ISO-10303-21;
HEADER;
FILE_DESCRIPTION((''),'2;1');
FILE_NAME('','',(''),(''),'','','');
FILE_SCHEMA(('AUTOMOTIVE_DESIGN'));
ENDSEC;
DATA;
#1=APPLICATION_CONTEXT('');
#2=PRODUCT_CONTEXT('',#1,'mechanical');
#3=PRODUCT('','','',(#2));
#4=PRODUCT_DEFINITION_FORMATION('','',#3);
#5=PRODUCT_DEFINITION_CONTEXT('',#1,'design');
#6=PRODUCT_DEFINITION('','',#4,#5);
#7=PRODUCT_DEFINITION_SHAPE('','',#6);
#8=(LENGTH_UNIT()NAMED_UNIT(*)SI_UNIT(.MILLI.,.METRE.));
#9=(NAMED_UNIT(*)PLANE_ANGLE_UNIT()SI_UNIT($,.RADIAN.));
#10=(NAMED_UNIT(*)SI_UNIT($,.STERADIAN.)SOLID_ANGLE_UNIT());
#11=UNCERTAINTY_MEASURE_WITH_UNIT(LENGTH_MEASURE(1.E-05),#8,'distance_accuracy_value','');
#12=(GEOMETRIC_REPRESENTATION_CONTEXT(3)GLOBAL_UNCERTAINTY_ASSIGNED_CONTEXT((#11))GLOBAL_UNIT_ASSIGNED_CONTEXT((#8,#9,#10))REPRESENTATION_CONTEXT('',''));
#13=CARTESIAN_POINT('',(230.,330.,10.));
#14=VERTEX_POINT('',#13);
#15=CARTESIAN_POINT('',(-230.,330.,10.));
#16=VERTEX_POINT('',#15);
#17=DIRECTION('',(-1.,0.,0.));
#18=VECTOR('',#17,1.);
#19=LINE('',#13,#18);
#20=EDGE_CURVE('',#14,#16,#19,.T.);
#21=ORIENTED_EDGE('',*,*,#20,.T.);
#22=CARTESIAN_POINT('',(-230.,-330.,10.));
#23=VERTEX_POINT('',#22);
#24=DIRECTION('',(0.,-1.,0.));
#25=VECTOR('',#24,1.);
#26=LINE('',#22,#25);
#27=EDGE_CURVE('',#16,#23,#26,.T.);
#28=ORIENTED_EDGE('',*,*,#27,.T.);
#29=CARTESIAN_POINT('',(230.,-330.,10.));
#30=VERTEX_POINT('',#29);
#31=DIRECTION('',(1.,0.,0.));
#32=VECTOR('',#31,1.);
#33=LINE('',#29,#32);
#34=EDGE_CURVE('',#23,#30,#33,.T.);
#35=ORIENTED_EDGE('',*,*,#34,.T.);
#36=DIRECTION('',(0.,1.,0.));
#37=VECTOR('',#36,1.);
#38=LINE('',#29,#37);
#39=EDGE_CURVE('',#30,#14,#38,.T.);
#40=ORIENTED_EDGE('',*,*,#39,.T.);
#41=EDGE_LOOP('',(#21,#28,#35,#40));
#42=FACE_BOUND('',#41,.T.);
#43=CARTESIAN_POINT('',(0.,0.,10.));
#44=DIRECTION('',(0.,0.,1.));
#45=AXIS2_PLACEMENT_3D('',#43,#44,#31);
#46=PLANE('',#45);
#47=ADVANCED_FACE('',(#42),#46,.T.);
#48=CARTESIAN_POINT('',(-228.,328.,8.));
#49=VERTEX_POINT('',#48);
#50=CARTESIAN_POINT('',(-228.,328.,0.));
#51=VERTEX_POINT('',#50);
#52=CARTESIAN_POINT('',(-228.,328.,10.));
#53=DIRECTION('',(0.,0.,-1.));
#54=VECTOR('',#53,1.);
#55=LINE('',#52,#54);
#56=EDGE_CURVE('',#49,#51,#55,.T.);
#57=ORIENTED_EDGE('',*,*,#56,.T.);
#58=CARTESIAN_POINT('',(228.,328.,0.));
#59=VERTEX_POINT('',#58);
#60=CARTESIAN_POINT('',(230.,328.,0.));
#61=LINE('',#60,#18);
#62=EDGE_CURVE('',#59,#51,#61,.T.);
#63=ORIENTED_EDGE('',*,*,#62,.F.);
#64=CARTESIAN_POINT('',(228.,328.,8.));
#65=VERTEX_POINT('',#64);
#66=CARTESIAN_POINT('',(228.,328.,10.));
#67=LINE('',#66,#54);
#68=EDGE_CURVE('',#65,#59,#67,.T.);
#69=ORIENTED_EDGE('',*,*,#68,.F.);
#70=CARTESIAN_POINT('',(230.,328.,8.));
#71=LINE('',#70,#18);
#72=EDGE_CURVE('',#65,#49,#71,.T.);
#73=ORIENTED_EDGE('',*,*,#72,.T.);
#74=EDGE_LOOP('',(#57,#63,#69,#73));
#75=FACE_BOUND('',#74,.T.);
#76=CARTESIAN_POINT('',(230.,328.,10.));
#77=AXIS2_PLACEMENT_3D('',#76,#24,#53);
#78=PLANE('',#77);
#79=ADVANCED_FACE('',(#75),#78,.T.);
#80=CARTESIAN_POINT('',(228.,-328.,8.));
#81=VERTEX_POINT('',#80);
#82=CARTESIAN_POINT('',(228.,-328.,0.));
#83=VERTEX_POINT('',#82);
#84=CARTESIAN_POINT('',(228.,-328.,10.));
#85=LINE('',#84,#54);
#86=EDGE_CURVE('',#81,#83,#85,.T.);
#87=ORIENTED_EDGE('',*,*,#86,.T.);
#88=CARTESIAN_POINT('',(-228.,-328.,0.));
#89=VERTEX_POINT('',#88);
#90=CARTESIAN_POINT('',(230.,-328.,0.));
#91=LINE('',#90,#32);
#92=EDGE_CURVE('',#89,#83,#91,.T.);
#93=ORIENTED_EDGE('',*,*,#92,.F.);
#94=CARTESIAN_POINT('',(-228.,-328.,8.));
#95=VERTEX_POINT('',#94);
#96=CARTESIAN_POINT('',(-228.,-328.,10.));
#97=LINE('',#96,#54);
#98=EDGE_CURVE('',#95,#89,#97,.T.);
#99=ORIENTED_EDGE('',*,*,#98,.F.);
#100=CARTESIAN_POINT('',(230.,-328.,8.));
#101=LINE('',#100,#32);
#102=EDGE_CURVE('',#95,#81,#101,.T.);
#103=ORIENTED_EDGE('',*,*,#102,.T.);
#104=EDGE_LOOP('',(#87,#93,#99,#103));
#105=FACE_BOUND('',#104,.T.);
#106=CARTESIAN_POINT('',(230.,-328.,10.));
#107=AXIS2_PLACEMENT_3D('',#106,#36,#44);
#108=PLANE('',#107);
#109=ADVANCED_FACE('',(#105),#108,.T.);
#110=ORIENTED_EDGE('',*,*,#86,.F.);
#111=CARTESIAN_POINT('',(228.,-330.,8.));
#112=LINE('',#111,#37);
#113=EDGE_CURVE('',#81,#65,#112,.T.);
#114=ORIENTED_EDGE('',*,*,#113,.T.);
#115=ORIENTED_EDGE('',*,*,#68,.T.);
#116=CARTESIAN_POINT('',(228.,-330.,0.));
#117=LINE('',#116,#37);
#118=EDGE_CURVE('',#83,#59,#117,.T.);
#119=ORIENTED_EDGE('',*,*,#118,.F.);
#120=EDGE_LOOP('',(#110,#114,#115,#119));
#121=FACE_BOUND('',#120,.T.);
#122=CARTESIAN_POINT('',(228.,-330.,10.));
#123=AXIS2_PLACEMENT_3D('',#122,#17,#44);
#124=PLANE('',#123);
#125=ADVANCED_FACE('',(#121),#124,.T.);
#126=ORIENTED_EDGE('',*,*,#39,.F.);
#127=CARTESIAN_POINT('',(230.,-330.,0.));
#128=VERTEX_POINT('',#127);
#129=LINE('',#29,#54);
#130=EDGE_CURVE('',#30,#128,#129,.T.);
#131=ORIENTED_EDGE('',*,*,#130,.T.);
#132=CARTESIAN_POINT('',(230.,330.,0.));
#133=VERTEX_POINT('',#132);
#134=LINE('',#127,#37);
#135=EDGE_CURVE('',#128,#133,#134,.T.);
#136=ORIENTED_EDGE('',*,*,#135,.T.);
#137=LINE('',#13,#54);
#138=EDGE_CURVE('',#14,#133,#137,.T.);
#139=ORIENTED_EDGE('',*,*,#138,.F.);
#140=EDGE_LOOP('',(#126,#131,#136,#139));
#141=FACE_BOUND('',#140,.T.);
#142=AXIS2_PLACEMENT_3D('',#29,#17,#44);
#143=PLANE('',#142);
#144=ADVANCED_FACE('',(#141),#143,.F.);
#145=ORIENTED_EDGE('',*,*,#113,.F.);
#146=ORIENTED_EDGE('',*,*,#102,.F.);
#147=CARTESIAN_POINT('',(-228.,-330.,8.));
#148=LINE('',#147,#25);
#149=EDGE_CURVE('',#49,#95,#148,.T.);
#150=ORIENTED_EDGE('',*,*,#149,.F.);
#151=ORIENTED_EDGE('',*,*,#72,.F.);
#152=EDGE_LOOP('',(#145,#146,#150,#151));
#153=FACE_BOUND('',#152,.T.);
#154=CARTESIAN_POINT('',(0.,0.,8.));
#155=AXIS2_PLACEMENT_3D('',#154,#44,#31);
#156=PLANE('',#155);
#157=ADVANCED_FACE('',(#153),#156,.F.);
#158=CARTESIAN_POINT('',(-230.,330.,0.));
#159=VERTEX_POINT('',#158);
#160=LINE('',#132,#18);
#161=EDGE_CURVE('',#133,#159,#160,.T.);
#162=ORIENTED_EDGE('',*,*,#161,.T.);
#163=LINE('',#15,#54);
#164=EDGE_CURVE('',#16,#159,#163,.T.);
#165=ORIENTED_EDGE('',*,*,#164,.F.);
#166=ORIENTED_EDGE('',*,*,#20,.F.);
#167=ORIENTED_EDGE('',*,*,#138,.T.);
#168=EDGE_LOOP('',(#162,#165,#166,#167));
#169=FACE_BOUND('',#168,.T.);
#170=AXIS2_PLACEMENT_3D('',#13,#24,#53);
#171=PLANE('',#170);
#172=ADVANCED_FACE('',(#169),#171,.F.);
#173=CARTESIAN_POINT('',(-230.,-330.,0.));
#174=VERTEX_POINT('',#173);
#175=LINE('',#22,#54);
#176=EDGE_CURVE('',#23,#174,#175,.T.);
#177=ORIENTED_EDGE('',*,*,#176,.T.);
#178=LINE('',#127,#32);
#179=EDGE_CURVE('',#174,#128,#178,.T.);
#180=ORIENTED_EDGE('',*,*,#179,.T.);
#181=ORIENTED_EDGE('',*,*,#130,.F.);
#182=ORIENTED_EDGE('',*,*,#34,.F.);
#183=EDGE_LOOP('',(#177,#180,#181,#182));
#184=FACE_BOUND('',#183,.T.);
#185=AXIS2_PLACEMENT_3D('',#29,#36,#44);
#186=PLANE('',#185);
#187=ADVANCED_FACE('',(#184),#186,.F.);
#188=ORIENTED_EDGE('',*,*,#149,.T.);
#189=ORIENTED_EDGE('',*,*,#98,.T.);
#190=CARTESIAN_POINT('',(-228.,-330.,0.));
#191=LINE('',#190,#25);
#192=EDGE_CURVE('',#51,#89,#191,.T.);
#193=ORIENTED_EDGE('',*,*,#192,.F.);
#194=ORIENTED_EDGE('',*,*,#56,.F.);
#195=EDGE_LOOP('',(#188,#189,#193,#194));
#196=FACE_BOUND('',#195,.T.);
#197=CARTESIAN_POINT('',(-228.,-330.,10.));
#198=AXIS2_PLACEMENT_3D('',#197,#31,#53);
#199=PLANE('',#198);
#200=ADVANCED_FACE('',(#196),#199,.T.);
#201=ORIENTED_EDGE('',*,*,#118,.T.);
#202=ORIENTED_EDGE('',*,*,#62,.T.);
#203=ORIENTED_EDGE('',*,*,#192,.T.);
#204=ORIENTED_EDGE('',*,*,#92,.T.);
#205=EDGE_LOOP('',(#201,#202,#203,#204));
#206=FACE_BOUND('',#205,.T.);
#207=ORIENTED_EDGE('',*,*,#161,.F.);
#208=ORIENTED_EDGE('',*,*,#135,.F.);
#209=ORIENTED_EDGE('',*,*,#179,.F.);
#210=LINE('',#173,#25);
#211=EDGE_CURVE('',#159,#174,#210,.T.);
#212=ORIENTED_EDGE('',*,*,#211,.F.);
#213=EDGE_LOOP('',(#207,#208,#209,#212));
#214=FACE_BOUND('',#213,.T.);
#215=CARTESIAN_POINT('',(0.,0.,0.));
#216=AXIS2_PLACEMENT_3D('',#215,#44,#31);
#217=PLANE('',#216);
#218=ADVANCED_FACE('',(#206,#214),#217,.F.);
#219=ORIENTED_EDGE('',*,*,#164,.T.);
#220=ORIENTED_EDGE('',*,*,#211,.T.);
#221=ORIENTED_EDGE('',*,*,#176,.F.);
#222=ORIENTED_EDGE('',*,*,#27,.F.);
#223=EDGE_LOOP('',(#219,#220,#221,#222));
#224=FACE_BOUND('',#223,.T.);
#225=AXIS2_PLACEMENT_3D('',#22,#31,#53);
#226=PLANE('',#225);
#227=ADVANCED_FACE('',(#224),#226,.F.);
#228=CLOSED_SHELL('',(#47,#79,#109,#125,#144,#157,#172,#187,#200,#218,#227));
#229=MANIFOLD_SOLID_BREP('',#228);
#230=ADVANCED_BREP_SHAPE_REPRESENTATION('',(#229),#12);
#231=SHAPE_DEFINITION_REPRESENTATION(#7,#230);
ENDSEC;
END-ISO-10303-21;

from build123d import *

# Parameters (mm, degrees)
CROQUIS1_W              = 460
CROQUIS1_H              = 660
SALIENTE_EXTRUIR1_DEPTH = 10
VACIADO1_T              = -2


with BuildPart() as part:
    # Croquis1 → Saliente-Extruir1 (new body)
    with BuildSketch(Plane.XY):
        Rectangle(CROQUIS1_W, CROQUIS1_H)
    extrude(amount=SALIENTE_EXTRUIR1_DEPTH)

    # Vaciado1
    vaciado1_openings = [part.faces().sort_by_distance(p)[0] for p in [
        (0, 0, 0),
    ]]
    offset(amount=VACIADO1_T, openings=vaciado1_openings, kind=Kind.INTERSECTION)


solid = part.part
